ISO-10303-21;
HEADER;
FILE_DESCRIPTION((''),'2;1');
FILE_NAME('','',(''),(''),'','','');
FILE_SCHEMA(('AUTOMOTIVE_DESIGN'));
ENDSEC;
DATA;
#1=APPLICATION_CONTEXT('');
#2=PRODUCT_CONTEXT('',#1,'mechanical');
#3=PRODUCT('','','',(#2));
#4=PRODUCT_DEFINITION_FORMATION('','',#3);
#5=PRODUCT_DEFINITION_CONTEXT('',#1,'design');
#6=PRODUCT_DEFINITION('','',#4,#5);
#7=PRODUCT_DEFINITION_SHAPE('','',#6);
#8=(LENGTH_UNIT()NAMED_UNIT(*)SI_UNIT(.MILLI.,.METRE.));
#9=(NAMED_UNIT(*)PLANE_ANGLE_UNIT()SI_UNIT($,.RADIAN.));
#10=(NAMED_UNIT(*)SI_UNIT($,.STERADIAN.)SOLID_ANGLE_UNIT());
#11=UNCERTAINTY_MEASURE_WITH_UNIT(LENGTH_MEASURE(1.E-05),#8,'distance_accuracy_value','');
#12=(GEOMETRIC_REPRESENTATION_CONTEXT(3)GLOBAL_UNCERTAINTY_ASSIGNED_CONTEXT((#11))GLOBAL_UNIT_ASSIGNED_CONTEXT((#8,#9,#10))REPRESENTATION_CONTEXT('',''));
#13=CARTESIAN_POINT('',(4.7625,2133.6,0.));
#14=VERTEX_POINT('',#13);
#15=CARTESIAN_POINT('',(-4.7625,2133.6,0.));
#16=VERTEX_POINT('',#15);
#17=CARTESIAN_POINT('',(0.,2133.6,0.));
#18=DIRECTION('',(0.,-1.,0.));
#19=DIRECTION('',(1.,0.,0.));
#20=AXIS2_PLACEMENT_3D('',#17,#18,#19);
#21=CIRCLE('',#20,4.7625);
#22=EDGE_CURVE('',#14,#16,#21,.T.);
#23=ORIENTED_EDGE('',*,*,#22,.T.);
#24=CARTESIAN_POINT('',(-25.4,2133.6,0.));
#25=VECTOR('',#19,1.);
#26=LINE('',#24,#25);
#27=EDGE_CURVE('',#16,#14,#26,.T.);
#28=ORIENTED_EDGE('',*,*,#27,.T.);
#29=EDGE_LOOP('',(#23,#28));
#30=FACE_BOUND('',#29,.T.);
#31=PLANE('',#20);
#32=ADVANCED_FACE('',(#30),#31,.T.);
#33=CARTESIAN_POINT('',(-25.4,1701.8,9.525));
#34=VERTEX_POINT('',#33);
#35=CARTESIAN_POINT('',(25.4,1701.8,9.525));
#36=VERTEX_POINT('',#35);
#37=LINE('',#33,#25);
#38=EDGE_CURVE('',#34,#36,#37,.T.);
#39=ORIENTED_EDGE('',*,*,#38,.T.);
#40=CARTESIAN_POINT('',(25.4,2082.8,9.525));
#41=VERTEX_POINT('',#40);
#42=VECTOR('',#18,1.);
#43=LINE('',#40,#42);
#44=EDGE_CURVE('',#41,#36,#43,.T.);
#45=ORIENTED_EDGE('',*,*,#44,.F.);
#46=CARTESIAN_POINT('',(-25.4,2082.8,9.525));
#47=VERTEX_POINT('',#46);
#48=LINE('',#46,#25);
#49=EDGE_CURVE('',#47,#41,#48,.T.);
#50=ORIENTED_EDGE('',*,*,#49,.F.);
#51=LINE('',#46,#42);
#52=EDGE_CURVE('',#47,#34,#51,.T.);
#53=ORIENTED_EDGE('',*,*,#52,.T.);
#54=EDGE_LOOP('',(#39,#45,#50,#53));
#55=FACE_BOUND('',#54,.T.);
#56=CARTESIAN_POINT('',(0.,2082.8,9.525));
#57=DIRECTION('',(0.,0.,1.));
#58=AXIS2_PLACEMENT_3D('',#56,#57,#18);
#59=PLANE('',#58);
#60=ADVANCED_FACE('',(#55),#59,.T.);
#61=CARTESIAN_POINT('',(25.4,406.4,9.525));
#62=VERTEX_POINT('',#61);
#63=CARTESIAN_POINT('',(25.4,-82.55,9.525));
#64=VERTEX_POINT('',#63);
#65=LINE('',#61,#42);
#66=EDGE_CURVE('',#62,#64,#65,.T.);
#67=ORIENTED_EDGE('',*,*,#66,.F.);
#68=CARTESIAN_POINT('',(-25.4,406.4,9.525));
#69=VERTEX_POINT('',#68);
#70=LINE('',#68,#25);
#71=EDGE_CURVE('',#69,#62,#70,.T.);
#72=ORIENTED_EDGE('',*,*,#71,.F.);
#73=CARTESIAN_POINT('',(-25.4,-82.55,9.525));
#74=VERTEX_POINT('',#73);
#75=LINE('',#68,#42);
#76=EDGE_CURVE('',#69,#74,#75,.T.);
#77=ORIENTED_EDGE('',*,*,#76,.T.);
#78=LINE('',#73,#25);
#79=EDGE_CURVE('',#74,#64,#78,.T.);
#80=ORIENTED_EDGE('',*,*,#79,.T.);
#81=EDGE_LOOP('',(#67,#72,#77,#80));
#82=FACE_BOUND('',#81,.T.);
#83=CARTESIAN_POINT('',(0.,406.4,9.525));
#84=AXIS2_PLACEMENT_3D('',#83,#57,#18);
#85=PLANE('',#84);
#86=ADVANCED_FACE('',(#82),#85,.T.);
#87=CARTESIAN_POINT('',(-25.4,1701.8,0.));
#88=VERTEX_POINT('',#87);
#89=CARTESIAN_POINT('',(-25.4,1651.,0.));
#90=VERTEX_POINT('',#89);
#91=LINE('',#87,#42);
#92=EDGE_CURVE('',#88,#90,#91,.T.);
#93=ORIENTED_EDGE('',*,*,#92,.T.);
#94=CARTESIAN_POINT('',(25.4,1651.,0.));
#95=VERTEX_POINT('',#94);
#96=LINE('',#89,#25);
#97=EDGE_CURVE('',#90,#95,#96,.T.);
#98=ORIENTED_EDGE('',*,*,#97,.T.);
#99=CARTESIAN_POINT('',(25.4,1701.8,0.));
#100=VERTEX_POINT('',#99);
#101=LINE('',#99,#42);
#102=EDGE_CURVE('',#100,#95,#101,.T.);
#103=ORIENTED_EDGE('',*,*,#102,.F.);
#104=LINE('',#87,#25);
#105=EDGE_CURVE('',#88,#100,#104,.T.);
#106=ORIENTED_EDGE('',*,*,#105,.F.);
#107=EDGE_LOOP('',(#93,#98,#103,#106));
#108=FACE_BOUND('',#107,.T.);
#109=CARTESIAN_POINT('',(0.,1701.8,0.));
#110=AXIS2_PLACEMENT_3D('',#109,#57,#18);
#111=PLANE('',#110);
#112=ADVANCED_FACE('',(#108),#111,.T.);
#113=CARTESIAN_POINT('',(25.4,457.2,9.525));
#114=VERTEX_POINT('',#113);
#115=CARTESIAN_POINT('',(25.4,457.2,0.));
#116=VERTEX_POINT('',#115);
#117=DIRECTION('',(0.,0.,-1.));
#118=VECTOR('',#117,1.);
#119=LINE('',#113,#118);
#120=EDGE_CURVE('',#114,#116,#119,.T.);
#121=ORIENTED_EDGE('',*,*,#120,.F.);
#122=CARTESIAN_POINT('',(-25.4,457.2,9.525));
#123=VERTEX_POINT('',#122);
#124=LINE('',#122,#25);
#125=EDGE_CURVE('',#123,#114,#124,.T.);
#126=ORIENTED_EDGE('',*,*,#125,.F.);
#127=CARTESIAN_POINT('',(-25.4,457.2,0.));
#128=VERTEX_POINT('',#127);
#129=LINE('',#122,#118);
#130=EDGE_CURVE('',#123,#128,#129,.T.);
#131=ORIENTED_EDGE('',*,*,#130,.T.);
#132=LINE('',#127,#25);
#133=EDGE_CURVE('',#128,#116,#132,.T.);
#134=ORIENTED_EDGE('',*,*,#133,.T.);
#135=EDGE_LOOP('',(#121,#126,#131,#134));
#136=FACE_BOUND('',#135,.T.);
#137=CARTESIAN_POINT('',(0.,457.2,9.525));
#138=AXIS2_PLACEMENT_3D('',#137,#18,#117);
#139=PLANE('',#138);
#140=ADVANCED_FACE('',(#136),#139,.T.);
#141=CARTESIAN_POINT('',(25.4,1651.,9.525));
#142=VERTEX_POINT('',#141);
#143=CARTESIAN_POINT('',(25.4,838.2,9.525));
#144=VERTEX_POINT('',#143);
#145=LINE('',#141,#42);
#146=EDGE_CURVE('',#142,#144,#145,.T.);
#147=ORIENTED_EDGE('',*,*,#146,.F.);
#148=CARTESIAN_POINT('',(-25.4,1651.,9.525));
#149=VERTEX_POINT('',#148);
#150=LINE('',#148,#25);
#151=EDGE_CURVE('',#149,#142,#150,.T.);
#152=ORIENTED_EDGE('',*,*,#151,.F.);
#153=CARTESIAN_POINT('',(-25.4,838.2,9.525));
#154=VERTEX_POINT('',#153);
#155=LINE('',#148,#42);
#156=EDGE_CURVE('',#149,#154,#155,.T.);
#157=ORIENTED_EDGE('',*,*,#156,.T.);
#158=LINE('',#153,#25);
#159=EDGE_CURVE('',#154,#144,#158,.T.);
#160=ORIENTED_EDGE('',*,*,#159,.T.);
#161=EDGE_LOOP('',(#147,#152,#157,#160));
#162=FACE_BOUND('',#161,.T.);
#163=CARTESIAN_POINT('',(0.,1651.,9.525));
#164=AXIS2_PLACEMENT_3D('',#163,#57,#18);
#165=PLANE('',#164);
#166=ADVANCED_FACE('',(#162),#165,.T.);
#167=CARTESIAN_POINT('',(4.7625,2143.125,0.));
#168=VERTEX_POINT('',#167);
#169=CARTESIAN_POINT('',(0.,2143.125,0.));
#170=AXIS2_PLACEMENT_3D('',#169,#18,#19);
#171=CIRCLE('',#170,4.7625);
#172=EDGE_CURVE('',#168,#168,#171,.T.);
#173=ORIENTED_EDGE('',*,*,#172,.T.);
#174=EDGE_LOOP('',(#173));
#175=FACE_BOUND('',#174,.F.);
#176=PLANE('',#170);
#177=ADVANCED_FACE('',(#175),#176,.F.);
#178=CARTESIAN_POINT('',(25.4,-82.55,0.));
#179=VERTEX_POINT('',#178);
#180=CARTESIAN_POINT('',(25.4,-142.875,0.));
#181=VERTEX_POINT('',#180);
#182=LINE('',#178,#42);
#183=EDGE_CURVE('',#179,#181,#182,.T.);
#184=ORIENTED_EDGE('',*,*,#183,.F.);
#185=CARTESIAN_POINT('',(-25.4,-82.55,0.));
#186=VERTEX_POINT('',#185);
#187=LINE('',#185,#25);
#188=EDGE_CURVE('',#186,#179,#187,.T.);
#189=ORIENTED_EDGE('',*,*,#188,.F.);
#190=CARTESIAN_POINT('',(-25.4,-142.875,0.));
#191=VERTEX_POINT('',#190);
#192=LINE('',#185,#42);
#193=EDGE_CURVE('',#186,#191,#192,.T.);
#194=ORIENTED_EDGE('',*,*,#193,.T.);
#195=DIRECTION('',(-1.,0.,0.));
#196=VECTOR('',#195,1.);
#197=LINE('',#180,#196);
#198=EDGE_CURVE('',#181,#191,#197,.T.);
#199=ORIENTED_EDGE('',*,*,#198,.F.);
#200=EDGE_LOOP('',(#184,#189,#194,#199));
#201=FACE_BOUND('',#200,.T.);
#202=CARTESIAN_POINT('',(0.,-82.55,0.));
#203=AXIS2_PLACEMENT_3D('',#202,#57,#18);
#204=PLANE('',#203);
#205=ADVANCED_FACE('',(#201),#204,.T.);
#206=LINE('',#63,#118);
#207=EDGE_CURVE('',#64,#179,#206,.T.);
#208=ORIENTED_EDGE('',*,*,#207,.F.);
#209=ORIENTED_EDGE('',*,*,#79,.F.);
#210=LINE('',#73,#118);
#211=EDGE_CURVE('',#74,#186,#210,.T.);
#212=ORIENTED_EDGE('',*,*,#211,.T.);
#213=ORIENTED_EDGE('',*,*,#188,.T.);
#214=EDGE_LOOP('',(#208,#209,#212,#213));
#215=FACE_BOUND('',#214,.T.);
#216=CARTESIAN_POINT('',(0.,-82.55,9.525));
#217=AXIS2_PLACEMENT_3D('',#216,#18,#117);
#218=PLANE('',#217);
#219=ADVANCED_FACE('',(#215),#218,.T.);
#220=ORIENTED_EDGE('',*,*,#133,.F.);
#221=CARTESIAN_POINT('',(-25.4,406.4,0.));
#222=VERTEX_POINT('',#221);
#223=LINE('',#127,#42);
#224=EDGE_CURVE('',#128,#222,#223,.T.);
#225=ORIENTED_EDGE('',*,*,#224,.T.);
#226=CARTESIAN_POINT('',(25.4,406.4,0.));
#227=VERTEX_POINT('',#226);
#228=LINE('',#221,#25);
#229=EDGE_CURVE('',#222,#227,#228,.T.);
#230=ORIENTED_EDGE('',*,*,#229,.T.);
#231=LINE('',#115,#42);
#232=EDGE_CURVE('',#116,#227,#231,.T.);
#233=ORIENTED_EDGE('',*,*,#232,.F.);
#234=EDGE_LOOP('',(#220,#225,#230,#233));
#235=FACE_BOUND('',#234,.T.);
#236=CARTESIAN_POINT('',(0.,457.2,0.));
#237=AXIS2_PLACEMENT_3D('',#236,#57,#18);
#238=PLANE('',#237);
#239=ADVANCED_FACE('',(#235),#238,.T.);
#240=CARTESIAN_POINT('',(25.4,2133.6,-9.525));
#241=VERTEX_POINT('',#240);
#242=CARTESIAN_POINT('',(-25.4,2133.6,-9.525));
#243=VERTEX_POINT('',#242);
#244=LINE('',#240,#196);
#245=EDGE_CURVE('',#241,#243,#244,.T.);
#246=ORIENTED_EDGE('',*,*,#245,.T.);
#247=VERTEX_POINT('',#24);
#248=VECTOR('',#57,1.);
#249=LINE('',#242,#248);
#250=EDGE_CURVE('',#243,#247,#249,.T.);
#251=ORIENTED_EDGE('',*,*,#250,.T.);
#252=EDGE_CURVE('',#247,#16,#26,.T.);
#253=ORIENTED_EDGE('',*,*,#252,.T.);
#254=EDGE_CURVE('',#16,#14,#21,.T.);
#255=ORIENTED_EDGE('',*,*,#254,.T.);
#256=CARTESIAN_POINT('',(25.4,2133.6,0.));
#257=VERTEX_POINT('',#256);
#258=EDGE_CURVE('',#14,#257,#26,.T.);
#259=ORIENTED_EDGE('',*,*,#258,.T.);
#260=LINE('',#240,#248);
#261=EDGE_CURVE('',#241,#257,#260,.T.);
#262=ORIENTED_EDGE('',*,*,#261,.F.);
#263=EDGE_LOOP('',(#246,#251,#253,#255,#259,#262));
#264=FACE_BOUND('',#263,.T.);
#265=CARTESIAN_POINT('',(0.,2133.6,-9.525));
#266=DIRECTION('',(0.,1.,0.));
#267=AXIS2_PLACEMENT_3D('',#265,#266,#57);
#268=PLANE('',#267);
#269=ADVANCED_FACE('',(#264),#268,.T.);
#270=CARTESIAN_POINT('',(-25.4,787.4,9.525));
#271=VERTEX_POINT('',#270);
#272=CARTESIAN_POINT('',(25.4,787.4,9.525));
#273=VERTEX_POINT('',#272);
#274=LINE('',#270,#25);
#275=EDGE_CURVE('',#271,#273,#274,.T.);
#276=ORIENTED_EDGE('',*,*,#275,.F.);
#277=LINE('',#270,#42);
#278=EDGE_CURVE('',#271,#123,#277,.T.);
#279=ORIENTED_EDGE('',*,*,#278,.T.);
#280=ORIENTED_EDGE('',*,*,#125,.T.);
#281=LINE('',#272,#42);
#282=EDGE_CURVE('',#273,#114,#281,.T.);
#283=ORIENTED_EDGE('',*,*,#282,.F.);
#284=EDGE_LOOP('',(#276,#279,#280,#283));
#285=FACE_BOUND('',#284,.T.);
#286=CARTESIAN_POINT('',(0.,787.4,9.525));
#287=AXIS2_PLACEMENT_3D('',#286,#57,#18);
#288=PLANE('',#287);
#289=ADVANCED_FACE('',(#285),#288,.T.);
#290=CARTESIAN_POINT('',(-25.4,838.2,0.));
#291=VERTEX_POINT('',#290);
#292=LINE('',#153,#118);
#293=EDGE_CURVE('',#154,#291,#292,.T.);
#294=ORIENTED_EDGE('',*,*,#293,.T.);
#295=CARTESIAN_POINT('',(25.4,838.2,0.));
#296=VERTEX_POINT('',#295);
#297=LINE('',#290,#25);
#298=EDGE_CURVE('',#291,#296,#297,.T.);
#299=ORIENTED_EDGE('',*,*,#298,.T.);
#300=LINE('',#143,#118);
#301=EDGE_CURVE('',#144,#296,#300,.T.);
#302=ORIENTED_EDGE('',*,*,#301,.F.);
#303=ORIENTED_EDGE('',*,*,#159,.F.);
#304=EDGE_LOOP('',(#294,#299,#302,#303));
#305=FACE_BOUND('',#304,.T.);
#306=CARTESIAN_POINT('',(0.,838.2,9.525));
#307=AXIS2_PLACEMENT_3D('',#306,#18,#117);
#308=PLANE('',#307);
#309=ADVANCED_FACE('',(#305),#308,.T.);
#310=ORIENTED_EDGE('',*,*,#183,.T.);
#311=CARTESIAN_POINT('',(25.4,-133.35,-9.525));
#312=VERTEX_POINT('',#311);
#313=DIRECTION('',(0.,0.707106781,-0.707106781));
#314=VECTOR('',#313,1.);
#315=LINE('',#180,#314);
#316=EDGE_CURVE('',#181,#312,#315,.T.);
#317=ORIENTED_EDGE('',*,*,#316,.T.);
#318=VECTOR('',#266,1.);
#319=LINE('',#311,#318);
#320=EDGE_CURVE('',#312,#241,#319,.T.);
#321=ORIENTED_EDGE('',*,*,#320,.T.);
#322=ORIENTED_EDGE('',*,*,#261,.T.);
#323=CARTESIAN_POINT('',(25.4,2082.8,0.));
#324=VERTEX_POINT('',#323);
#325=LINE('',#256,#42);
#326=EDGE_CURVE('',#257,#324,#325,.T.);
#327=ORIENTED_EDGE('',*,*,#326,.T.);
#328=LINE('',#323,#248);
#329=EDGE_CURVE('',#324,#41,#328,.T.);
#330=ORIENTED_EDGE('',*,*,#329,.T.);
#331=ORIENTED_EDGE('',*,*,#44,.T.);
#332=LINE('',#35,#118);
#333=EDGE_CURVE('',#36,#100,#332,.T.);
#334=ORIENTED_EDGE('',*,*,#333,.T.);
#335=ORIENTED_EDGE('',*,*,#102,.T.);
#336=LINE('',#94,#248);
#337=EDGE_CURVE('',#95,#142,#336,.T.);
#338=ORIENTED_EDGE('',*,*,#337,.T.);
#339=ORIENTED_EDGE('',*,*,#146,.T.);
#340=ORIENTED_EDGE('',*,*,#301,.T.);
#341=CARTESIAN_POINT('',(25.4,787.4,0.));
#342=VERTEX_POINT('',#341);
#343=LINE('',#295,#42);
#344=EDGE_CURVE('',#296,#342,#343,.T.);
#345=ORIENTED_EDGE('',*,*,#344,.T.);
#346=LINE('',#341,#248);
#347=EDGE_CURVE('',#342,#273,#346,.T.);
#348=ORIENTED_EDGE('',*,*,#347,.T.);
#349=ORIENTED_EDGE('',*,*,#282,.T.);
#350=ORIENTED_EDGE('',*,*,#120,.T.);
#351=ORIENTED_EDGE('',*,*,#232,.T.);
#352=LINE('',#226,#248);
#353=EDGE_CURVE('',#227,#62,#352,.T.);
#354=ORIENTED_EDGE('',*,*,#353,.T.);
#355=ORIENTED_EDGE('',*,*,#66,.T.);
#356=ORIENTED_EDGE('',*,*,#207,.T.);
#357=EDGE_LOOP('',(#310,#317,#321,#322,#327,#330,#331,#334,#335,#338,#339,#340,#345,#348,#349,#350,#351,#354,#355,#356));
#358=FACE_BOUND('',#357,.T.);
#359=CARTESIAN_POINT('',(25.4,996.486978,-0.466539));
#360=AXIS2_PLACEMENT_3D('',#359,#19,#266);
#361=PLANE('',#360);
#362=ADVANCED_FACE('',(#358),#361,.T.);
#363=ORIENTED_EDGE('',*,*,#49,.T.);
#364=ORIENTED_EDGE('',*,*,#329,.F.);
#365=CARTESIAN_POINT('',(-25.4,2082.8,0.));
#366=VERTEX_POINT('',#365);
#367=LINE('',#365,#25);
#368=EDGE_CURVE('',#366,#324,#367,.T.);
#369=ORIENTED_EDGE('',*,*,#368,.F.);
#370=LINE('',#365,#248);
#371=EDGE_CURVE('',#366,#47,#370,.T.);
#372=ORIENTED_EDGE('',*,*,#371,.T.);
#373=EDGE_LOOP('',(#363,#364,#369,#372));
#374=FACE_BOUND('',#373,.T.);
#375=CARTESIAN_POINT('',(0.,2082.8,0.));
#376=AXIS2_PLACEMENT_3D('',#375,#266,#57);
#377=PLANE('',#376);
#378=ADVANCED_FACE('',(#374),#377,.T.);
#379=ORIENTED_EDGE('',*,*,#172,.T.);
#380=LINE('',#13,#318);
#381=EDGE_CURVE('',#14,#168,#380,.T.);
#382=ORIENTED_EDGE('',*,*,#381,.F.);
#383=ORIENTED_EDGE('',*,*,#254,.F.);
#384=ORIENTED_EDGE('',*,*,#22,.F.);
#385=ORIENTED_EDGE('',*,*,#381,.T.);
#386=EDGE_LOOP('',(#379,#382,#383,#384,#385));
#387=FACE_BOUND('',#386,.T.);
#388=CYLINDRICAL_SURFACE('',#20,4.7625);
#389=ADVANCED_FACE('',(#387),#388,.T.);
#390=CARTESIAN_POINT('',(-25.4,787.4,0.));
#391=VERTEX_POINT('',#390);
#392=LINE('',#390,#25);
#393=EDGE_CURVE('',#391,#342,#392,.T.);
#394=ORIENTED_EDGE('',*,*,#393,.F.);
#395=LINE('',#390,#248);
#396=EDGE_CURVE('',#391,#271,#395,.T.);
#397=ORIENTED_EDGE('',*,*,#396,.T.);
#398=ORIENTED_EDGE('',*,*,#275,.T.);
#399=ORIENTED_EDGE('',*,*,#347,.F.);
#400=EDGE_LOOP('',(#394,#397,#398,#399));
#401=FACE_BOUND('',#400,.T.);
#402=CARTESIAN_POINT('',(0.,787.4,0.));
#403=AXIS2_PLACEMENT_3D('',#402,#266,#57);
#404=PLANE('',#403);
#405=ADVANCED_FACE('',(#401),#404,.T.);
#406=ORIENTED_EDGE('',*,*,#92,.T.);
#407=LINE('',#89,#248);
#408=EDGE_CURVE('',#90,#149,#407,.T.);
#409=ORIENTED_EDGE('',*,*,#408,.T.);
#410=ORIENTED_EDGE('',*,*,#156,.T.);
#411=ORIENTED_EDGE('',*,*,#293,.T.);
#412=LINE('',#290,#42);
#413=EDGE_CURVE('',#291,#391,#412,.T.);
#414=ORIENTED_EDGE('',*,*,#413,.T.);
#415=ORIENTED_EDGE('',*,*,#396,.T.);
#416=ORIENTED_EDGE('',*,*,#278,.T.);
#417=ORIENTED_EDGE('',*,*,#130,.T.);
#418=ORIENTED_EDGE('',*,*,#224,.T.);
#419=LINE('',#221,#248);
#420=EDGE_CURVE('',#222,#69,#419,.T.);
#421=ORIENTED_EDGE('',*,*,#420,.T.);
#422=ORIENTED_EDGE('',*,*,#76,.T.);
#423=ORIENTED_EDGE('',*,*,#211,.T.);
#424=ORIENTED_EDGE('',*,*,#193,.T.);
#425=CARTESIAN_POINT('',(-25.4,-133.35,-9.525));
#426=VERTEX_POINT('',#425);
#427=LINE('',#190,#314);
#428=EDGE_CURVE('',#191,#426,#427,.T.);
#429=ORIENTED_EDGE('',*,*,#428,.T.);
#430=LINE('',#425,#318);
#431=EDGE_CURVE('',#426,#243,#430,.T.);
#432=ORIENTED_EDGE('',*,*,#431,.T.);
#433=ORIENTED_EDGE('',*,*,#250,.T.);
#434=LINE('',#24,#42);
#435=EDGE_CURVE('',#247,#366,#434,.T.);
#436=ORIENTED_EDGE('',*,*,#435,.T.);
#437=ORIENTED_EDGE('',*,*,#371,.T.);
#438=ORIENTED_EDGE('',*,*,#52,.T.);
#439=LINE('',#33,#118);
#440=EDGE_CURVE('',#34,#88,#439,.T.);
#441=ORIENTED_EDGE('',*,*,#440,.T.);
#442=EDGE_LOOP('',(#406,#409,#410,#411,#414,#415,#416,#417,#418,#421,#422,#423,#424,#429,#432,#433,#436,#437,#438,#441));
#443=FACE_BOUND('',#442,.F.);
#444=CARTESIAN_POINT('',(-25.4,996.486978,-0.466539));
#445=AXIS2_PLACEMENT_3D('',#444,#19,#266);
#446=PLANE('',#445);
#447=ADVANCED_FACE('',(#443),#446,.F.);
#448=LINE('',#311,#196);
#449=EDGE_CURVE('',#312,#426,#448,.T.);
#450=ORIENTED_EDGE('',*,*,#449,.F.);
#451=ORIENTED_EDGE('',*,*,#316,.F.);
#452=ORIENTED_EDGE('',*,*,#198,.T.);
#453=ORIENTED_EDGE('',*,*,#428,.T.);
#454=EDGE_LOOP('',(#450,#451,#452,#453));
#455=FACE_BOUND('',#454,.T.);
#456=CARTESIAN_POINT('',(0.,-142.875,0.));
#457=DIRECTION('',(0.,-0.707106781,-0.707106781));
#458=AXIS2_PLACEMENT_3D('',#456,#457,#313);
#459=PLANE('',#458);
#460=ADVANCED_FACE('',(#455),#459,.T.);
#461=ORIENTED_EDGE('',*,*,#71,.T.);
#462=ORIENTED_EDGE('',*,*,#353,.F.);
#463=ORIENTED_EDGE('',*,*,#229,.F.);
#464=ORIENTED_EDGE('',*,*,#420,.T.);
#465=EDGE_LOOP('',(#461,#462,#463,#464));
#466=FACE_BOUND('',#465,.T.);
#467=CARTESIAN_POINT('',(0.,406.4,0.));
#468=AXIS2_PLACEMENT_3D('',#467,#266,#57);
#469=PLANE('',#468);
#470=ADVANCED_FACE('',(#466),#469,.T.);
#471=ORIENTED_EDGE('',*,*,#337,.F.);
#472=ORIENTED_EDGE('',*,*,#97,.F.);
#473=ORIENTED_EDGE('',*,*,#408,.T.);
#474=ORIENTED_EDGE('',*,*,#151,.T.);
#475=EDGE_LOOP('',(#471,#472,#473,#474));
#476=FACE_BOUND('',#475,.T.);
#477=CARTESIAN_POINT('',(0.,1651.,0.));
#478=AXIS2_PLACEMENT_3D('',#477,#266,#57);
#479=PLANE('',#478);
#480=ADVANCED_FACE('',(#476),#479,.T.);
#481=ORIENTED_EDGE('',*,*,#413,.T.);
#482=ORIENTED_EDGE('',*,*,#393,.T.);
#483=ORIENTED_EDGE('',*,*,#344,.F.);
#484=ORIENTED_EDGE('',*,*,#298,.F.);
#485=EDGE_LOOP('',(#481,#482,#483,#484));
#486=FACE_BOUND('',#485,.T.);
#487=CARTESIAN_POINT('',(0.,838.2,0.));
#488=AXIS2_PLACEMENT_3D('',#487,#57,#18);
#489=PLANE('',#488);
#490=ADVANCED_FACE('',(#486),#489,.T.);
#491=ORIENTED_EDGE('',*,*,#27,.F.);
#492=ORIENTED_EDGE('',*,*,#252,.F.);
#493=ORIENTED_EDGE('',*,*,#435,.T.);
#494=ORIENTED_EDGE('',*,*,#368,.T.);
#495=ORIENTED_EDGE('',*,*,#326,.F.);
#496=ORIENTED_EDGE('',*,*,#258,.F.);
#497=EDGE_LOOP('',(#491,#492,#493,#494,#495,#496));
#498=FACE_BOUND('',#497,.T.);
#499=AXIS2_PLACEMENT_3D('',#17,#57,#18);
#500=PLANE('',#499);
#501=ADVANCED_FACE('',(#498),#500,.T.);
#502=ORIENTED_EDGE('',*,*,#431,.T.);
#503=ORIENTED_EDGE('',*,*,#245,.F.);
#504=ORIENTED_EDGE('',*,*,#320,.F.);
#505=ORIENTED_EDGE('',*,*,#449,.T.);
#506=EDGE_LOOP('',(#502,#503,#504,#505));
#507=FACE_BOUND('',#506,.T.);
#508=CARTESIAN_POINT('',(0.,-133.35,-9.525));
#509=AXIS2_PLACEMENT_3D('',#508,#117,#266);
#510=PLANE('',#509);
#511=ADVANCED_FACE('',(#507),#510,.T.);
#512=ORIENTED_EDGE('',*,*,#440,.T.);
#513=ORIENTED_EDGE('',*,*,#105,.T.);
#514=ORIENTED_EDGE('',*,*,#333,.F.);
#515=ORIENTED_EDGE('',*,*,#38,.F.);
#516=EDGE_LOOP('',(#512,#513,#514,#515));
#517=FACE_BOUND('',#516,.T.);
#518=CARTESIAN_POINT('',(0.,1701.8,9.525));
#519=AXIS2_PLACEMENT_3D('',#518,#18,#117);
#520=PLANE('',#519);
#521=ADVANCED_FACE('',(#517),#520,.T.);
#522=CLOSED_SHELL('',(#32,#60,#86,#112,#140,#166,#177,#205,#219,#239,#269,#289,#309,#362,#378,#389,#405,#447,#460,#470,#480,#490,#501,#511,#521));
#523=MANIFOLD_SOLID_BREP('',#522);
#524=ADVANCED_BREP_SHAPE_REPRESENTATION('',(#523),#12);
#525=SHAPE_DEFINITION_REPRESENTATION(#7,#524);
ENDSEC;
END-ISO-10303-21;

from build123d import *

# Parameters (mm, degrees)
F1_DEPTH = 25.4
F3_R     = 4.7625
F4_DEPTH = 9.525


with BuildPart() as f1:
    # F0 (on Right) → F1 (new body, symmetric)
    with BuildSketch(Plane.YZ):
        Polygon((-33.290768, -9.525), (2133.6, -9.525), (2133.6, 0), (2082.8, 0), (2082.8, 9.525), (1701.8, 9.525), (1701.8, 0), (1651, 0), (1651, 9.525), (838.2, 9.525), (838.2, 0), (787.4, 0), (787.4, 9.525), (457.2, 9.525), (457.2, 0), (406.4, 0), (406.4, 9.525), (0, 9.525), (-82.55, 9.525), (-82.55, 0), (-142.875, 0), (-133.35, -9.525), align=None)
    extrude(amount=F1_DEPTH, both=True)

    # F3 (on offset) → F4 (join)
    with BuildSketch(Plane.XZ.offset(-2133.6)):
        Circle(F3_R)
    extrude(amount=-F4_DEPTH)


solid = f1.part
